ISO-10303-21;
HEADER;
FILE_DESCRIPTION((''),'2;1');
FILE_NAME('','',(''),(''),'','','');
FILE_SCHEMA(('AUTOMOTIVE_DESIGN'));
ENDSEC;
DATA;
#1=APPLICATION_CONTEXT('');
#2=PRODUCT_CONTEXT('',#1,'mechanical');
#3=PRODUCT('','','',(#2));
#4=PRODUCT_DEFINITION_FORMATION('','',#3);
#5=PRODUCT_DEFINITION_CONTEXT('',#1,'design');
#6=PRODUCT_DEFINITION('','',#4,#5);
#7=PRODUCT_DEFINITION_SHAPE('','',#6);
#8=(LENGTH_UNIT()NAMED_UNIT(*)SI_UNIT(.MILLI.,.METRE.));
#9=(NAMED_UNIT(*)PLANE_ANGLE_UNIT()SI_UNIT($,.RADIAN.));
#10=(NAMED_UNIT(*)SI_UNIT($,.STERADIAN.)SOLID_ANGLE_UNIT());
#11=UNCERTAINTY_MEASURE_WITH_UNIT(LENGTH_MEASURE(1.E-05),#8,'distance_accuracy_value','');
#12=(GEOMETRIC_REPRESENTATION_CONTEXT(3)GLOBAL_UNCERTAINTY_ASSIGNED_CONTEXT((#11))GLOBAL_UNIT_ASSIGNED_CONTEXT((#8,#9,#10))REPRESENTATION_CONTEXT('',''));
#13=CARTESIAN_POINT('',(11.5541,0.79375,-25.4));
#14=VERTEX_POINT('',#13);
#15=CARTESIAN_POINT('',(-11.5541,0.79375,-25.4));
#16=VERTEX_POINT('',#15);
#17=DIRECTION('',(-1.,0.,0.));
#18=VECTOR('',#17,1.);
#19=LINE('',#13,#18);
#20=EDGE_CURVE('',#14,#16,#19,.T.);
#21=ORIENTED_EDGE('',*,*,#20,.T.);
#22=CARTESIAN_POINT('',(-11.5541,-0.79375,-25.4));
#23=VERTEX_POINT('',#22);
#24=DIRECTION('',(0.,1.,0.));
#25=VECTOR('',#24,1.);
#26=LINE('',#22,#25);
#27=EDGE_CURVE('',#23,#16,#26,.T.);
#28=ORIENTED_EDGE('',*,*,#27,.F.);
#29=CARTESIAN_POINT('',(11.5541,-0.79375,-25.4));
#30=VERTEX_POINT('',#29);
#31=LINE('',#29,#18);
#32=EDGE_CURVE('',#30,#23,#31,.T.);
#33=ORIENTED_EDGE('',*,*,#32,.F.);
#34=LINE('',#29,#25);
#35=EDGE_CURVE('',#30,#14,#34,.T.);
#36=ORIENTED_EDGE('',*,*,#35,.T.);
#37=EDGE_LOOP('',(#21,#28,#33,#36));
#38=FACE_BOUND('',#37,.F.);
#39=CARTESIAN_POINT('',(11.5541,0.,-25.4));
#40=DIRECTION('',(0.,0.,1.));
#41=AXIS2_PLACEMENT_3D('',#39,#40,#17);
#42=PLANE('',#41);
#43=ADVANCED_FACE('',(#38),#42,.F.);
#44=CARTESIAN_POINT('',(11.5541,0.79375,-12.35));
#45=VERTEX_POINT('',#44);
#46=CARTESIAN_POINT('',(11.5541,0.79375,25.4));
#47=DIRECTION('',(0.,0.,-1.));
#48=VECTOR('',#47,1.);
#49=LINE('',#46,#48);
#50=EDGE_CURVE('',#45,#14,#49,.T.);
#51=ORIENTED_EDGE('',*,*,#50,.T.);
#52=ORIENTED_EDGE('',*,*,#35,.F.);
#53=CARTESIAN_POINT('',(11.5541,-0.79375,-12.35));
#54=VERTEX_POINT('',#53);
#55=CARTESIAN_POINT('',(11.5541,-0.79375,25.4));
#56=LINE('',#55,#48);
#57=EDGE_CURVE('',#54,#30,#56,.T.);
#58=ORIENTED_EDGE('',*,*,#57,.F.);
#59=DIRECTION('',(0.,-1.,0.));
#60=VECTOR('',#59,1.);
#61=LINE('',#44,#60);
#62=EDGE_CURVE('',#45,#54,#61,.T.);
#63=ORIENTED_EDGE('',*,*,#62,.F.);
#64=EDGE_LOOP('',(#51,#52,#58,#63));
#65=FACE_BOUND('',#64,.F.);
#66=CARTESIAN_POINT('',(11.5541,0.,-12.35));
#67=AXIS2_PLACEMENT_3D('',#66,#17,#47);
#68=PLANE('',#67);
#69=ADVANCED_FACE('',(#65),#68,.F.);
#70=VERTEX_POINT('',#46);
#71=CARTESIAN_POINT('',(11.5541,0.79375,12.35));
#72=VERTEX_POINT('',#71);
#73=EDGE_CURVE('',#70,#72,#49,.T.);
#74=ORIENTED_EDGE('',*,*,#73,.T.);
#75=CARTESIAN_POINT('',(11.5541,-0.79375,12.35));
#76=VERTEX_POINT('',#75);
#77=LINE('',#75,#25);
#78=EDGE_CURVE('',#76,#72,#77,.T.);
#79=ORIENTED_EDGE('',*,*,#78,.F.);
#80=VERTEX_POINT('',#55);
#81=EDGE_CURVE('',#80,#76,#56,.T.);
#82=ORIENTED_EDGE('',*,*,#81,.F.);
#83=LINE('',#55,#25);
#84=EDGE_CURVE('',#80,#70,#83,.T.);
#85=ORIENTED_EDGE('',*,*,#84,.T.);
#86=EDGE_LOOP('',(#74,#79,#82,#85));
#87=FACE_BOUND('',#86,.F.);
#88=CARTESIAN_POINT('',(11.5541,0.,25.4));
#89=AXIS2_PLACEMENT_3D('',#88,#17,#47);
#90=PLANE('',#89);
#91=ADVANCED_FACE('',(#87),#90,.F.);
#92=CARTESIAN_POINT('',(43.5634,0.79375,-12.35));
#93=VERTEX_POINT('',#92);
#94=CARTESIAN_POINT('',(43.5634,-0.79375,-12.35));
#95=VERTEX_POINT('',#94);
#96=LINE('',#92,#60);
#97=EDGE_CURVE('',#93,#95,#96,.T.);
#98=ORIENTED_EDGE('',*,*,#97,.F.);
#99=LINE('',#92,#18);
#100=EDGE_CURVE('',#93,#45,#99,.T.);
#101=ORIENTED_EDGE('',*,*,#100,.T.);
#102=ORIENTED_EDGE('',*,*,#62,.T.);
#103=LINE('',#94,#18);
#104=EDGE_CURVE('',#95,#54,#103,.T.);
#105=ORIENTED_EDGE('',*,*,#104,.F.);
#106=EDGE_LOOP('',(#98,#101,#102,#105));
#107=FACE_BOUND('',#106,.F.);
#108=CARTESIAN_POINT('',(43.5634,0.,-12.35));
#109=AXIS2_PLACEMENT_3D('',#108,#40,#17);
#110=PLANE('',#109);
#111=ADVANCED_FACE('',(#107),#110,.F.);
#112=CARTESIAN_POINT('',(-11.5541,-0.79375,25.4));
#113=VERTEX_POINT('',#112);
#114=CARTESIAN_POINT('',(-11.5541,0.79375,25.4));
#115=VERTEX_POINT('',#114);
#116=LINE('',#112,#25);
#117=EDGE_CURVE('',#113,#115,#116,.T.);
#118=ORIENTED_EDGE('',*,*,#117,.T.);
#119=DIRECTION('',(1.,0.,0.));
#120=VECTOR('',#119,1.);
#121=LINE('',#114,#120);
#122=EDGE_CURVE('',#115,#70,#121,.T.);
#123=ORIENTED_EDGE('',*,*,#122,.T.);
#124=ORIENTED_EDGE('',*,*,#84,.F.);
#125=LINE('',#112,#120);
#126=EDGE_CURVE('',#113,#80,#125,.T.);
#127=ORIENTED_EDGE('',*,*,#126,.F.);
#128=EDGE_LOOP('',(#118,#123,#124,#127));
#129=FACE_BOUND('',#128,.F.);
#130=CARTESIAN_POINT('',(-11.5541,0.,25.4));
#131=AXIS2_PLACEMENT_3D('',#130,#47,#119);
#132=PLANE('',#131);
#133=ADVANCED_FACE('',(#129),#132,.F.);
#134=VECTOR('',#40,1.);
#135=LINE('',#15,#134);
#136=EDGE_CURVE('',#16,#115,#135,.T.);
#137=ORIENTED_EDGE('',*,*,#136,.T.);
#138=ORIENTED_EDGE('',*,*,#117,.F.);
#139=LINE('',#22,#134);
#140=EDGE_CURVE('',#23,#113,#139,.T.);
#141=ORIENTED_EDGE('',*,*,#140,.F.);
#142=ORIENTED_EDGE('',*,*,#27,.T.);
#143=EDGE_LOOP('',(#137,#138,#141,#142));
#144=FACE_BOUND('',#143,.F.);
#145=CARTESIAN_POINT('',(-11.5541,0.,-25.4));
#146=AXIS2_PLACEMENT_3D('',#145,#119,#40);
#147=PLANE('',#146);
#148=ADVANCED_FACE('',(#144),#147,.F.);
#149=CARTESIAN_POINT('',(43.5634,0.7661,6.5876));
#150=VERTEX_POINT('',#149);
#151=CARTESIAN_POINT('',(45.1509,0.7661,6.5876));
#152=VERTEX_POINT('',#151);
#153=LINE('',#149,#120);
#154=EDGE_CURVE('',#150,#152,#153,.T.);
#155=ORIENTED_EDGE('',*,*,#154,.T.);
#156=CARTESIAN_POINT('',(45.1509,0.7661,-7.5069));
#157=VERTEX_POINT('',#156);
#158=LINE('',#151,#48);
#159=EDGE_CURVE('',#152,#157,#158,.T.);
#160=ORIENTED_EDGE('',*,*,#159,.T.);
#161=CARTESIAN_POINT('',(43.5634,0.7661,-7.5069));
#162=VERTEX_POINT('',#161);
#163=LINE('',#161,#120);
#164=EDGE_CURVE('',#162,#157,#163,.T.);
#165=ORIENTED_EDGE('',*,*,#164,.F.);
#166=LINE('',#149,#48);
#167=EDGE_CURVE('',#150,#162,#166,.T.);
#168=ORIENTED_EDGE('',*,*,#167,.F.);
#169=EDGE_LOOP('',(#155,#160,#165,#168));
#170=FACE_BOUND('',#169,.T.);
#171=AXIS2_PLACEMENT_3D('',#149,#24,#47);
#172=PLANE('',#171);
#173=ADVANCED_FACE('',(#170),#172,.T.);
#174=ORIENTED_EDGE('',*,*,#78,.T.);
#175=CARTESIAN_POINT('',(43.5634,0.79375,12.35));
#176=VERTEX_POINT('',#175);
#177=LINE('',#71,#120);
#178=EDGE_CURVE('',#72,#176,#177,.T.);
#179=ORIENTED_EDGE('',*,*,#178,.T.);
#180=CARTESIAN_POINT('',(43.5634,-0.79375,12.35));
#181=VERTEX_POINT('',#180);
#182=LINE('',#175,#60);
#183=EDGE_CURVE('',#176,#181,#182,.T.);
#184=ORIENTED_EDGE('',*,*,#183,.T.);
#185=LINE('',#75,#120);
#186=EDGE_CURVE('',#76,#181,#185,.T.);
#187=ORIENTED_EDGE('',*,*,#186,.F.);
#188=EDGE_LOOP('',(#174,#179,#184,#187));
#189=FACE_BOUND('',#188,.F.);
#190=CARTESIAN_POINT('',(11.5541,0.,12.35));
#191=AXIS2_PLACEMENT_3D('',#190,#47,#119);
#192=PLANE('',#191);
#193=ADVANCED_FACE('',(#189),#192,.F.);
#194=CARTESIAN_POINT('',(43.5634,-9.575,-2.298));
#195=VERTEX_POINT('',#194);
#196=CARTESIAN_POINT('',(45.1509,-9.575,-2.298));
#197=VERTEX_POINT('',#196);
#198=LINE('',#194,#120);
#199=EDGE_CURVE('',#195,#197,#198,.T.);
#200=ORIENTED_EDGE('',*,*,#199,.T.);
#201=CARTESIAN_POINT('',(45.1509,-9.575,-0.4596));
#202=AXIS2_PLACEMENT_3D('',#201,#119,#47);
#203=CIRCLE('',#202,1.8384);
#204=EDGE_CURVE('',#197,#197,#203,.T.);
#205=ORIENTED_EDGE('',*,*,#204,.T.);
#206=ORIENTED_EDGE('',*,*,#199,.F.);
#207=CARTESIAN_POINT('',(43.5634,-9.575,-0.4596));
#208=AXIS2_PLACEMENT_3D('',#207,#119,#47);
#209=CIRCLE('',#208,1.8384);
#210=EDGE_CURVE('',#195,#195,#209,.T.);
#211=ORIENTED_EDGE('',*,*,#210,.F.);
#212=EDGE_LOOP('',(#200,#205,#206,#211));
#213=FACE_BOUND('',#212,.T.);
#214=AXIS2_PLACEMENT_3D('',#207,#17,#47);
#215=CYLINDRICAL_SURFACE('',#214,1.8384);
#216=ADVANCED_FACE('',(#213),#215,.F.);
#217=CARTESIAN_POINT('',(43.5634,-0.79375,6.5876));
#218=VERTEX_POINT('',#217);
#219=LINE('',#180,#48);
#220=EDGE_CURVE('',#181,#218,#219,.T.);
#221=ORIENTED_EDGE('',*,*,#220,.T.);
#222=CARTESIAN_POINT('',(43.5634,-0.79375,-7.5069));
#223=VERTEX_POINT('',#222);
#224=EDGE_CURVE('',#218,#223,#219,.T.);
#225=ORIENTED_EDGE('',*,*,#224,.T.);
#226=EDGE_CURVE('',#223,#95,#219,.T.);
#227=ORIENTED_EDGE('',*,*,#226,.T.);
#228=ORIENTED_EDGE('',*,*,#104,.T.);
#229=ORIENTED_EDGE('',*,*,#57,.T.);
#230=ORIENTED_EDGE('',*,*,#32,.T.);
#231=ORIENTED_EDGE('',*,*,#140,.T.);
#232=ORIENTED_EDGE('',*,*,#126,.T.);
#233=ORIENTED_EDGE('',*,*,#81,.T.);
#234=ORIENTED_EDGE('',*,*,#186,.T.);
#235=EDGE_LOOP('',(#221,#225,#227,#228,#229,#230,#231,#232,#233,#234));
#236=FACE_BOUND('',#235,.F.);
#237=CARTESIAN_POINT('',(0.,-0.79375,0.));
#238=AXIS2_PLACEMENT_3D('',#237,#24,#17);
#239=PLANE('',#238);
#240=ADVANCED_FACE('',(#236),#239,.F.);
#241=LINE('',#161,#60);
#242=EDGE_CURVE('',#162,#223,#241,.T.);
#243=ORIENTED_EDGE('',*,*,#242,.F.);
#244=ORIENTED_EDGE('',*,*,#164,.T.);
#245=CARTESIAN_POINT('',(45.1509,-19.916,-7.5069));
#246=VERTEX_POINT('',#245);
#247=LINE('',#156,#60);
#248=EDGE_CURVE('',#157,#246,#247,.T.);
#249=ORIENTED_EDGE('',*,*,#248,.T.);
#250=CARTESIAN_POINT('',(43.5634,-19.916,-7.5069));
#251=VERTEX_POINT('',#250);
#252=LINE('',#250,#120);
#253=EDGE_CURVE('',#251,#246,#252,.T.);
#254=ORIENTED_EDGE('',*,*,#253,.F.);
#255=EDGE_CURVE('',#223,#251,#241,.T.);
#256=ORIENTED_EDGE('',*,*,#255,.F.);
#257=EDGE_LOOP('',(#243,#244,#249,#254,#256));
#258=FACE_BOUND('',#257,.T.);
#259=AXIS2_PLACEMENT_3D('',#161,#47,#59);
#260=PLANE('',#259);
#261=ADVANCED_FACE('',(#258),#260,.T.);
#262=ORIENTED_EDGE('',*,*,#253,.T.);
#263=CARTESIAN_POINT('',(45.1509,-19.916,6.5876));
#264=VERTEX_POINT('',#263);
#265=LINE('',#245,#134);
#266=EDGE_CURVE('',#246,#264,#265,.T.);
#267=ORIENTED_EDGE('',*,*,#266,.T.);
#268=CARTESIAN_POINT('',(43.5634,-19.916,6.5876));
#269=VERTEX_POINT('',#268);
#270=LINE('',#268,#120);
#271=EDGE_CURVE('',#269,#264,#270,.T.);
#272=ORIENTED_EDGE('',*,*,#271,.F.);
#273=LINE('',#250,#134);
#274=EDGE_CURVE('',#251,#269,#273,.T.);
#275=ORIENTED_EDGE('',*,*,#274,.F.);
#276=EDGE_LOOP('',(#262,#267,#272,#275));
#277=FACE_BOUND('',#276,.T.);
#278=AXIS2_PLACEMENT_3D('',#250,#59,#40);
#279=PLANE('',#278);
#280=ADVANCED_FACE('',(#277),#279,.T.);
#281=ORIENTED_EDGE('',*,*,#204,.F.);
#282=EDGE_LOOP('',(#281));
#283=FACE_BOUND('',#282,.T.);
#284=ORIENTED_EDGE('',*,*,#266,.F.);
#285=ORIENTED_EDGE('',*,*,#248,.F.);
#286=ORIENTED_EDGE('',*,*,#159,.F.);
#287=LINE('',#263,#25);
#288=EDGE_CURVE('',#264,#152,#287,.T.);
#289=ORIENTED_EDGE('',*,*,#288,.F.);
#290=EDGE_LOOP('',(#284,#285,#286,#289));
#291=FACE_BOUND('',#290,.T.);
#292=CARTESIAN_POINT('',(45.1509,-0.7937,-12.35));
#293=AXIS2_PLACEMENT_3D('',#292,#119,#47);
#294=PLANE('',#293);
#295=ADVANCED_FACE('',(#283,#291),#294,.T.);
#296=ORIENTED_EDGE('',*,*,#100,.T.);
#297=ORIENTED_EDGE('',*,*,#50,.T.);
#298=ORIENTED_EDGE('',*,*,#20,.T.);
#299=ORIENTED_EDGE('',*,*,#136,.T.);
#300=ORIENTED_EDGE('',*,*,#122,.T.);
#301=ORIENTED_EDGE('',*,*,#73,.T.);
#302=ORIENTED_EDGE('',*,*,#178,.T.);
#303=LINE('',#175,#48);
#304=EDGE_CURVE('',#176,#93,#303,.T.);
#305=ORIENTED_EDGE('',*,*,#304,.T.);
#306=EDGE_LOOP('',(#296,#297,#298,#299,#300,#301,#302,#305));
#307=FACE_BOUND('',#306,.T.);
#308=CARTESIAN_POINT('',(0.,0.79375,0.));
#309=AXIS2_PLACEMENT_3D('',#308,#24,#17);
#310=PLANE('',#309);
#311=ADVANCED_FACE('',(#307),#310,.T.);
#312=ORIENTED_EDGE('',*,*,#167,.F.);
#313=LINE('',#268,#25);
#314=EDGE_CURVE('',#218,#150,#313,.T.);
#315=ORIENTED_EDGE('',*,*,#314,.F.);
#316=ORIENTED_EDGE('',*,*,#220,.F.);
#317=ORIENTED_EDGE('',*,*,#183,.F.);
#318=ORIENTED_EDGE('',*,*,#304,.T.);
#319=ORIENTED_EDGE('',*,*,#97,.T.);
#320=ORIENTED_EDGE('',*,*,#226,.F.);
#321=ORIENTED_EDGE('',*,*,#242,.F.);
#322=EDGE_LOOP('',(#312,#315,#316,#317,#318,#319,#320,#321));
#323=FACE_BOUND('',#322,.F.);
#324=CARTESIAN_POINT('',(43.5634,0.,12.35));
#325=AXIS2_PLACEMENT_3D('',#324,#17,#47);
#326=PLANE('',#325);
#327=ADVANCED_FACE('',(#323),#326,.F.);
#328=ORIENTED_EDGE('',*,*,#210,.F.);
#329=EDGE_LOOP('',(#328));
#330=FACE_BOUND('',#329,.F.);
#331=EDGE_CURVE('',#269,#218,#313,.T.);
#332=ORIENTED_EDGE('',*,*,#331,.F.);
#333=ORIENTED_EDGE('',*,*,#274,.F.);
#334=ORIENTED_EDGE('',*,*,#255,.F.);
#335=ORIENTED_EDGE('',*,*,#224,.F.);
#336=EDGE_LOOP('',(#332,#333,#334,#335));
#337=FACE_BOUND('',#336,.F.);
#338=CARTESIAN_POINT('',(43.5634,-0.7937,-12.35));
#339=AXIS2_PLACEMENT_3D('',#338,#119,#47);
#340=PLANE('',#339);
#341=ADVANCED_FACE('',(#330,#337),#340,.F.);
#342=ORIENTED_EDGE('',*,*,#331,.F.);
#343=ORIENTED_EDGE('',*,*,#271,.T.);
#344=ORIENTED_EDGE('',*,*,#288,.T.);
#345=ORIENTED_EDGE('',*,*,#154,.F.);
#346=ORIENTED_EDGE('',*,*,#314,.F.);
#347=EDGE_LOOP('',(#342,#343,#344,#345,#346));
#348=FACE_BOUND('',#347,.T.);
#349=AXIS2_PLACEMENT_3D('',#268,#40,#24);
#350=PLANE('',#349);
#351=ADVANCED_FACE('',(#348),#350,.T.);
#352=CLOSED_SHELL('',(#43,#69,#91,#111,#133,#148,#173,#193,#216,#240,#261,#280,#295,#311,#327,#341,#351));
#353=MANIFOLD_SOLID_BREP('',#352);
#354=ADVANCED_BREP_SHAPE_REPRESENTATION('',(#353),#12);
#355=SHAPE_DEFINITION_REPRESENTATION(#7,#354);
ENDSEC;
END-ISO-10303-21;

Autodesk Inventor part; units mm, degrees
ref_plane "YZ Plane" through (0, 0, 0) normal (1, 0, 0) x (0, 1, 0)
ref_plane "XZ Plane" through (0, 0, 0) normal (0, 1, 0) x (-1, 0, 0)
ref_plane "XY Plane" through (0, 0, 0) normal (0, 0, 1) x (1, 0, 0)
sketch "Sketch1" plane through (0, 0, 0) normal (0, 1, 0) x (-1, 0, 0)
  line L0 (-11.5541, -25.4) -> (11.5541, -25.4)
  line L1 (11.5541, -25.4) -> (11.5541, 25.4)
  line L2 (11.5541, 25.4) -> (-11.5541, 25.4)
  line L3 (-11.5541, 25.4) -> (-11.5541, -25.4)
  line L4 (-11.5541, -25.4) -> (11.5541, 25.4) construction
  line L5 (11.5541, -25.4) -> (-11.5541, 25.4) construction
  line L6 (-43.5634, -12.35) -> (-11.5541, -12.35)
  line L7 (-11.5541, -12.35) -> (-11.5541, 12.35)
  line L8 (-11.5541, 12.35) -> (-43.5634, 12.35)
  line L9 (-43.5634, 12.35) -> (-43.5634, -12.35)
  line L10 (-43.5634, -12.35) -> (-11.5541, 12.35) construction
  line L11 (-11.5541, -12.35) -> (-43.5634, 12.35) construction
  point P0 (0, 0)
  point P1 (-27.5588, 0)
  dimension "d0" = 50.8
extrude "Extrusion1" add sketch "Sketch1" along normal mid plane 1.5875
sketch "Sketch2" plane through (43.5634, -0.7937, -12.35) normal (1, 0, 0) x (0, 0, -1)
  line L0 (-4.8431, -19.1223) -> (-18.9376, -19.1223)
  line L1 (-18.9376, -19.1223) -> (-18.9376, 1.5598)
  line L2 (-18.9376, 1.5598) -> (-4.8431, 1.5598)
  line L3 (-4.8431, 1.5598) -> (-4.8431, -19.1223)
  line L4 (-4.8431, -19.1223) -> (-18.9376, 1.5598) construction
  line L5 (-18.9376, -19.1223) -> (-4.8431, 1.5598) construction
  circle A0 centre (-11.8904, -8.7813) radius 1.8384
  point P0 (-12.35, 0.7937)
extrude "Extrusion2" add sketch "Sketch2" along normal blind 1.5875
properties part number "ultrasonic_sensor_ho"
